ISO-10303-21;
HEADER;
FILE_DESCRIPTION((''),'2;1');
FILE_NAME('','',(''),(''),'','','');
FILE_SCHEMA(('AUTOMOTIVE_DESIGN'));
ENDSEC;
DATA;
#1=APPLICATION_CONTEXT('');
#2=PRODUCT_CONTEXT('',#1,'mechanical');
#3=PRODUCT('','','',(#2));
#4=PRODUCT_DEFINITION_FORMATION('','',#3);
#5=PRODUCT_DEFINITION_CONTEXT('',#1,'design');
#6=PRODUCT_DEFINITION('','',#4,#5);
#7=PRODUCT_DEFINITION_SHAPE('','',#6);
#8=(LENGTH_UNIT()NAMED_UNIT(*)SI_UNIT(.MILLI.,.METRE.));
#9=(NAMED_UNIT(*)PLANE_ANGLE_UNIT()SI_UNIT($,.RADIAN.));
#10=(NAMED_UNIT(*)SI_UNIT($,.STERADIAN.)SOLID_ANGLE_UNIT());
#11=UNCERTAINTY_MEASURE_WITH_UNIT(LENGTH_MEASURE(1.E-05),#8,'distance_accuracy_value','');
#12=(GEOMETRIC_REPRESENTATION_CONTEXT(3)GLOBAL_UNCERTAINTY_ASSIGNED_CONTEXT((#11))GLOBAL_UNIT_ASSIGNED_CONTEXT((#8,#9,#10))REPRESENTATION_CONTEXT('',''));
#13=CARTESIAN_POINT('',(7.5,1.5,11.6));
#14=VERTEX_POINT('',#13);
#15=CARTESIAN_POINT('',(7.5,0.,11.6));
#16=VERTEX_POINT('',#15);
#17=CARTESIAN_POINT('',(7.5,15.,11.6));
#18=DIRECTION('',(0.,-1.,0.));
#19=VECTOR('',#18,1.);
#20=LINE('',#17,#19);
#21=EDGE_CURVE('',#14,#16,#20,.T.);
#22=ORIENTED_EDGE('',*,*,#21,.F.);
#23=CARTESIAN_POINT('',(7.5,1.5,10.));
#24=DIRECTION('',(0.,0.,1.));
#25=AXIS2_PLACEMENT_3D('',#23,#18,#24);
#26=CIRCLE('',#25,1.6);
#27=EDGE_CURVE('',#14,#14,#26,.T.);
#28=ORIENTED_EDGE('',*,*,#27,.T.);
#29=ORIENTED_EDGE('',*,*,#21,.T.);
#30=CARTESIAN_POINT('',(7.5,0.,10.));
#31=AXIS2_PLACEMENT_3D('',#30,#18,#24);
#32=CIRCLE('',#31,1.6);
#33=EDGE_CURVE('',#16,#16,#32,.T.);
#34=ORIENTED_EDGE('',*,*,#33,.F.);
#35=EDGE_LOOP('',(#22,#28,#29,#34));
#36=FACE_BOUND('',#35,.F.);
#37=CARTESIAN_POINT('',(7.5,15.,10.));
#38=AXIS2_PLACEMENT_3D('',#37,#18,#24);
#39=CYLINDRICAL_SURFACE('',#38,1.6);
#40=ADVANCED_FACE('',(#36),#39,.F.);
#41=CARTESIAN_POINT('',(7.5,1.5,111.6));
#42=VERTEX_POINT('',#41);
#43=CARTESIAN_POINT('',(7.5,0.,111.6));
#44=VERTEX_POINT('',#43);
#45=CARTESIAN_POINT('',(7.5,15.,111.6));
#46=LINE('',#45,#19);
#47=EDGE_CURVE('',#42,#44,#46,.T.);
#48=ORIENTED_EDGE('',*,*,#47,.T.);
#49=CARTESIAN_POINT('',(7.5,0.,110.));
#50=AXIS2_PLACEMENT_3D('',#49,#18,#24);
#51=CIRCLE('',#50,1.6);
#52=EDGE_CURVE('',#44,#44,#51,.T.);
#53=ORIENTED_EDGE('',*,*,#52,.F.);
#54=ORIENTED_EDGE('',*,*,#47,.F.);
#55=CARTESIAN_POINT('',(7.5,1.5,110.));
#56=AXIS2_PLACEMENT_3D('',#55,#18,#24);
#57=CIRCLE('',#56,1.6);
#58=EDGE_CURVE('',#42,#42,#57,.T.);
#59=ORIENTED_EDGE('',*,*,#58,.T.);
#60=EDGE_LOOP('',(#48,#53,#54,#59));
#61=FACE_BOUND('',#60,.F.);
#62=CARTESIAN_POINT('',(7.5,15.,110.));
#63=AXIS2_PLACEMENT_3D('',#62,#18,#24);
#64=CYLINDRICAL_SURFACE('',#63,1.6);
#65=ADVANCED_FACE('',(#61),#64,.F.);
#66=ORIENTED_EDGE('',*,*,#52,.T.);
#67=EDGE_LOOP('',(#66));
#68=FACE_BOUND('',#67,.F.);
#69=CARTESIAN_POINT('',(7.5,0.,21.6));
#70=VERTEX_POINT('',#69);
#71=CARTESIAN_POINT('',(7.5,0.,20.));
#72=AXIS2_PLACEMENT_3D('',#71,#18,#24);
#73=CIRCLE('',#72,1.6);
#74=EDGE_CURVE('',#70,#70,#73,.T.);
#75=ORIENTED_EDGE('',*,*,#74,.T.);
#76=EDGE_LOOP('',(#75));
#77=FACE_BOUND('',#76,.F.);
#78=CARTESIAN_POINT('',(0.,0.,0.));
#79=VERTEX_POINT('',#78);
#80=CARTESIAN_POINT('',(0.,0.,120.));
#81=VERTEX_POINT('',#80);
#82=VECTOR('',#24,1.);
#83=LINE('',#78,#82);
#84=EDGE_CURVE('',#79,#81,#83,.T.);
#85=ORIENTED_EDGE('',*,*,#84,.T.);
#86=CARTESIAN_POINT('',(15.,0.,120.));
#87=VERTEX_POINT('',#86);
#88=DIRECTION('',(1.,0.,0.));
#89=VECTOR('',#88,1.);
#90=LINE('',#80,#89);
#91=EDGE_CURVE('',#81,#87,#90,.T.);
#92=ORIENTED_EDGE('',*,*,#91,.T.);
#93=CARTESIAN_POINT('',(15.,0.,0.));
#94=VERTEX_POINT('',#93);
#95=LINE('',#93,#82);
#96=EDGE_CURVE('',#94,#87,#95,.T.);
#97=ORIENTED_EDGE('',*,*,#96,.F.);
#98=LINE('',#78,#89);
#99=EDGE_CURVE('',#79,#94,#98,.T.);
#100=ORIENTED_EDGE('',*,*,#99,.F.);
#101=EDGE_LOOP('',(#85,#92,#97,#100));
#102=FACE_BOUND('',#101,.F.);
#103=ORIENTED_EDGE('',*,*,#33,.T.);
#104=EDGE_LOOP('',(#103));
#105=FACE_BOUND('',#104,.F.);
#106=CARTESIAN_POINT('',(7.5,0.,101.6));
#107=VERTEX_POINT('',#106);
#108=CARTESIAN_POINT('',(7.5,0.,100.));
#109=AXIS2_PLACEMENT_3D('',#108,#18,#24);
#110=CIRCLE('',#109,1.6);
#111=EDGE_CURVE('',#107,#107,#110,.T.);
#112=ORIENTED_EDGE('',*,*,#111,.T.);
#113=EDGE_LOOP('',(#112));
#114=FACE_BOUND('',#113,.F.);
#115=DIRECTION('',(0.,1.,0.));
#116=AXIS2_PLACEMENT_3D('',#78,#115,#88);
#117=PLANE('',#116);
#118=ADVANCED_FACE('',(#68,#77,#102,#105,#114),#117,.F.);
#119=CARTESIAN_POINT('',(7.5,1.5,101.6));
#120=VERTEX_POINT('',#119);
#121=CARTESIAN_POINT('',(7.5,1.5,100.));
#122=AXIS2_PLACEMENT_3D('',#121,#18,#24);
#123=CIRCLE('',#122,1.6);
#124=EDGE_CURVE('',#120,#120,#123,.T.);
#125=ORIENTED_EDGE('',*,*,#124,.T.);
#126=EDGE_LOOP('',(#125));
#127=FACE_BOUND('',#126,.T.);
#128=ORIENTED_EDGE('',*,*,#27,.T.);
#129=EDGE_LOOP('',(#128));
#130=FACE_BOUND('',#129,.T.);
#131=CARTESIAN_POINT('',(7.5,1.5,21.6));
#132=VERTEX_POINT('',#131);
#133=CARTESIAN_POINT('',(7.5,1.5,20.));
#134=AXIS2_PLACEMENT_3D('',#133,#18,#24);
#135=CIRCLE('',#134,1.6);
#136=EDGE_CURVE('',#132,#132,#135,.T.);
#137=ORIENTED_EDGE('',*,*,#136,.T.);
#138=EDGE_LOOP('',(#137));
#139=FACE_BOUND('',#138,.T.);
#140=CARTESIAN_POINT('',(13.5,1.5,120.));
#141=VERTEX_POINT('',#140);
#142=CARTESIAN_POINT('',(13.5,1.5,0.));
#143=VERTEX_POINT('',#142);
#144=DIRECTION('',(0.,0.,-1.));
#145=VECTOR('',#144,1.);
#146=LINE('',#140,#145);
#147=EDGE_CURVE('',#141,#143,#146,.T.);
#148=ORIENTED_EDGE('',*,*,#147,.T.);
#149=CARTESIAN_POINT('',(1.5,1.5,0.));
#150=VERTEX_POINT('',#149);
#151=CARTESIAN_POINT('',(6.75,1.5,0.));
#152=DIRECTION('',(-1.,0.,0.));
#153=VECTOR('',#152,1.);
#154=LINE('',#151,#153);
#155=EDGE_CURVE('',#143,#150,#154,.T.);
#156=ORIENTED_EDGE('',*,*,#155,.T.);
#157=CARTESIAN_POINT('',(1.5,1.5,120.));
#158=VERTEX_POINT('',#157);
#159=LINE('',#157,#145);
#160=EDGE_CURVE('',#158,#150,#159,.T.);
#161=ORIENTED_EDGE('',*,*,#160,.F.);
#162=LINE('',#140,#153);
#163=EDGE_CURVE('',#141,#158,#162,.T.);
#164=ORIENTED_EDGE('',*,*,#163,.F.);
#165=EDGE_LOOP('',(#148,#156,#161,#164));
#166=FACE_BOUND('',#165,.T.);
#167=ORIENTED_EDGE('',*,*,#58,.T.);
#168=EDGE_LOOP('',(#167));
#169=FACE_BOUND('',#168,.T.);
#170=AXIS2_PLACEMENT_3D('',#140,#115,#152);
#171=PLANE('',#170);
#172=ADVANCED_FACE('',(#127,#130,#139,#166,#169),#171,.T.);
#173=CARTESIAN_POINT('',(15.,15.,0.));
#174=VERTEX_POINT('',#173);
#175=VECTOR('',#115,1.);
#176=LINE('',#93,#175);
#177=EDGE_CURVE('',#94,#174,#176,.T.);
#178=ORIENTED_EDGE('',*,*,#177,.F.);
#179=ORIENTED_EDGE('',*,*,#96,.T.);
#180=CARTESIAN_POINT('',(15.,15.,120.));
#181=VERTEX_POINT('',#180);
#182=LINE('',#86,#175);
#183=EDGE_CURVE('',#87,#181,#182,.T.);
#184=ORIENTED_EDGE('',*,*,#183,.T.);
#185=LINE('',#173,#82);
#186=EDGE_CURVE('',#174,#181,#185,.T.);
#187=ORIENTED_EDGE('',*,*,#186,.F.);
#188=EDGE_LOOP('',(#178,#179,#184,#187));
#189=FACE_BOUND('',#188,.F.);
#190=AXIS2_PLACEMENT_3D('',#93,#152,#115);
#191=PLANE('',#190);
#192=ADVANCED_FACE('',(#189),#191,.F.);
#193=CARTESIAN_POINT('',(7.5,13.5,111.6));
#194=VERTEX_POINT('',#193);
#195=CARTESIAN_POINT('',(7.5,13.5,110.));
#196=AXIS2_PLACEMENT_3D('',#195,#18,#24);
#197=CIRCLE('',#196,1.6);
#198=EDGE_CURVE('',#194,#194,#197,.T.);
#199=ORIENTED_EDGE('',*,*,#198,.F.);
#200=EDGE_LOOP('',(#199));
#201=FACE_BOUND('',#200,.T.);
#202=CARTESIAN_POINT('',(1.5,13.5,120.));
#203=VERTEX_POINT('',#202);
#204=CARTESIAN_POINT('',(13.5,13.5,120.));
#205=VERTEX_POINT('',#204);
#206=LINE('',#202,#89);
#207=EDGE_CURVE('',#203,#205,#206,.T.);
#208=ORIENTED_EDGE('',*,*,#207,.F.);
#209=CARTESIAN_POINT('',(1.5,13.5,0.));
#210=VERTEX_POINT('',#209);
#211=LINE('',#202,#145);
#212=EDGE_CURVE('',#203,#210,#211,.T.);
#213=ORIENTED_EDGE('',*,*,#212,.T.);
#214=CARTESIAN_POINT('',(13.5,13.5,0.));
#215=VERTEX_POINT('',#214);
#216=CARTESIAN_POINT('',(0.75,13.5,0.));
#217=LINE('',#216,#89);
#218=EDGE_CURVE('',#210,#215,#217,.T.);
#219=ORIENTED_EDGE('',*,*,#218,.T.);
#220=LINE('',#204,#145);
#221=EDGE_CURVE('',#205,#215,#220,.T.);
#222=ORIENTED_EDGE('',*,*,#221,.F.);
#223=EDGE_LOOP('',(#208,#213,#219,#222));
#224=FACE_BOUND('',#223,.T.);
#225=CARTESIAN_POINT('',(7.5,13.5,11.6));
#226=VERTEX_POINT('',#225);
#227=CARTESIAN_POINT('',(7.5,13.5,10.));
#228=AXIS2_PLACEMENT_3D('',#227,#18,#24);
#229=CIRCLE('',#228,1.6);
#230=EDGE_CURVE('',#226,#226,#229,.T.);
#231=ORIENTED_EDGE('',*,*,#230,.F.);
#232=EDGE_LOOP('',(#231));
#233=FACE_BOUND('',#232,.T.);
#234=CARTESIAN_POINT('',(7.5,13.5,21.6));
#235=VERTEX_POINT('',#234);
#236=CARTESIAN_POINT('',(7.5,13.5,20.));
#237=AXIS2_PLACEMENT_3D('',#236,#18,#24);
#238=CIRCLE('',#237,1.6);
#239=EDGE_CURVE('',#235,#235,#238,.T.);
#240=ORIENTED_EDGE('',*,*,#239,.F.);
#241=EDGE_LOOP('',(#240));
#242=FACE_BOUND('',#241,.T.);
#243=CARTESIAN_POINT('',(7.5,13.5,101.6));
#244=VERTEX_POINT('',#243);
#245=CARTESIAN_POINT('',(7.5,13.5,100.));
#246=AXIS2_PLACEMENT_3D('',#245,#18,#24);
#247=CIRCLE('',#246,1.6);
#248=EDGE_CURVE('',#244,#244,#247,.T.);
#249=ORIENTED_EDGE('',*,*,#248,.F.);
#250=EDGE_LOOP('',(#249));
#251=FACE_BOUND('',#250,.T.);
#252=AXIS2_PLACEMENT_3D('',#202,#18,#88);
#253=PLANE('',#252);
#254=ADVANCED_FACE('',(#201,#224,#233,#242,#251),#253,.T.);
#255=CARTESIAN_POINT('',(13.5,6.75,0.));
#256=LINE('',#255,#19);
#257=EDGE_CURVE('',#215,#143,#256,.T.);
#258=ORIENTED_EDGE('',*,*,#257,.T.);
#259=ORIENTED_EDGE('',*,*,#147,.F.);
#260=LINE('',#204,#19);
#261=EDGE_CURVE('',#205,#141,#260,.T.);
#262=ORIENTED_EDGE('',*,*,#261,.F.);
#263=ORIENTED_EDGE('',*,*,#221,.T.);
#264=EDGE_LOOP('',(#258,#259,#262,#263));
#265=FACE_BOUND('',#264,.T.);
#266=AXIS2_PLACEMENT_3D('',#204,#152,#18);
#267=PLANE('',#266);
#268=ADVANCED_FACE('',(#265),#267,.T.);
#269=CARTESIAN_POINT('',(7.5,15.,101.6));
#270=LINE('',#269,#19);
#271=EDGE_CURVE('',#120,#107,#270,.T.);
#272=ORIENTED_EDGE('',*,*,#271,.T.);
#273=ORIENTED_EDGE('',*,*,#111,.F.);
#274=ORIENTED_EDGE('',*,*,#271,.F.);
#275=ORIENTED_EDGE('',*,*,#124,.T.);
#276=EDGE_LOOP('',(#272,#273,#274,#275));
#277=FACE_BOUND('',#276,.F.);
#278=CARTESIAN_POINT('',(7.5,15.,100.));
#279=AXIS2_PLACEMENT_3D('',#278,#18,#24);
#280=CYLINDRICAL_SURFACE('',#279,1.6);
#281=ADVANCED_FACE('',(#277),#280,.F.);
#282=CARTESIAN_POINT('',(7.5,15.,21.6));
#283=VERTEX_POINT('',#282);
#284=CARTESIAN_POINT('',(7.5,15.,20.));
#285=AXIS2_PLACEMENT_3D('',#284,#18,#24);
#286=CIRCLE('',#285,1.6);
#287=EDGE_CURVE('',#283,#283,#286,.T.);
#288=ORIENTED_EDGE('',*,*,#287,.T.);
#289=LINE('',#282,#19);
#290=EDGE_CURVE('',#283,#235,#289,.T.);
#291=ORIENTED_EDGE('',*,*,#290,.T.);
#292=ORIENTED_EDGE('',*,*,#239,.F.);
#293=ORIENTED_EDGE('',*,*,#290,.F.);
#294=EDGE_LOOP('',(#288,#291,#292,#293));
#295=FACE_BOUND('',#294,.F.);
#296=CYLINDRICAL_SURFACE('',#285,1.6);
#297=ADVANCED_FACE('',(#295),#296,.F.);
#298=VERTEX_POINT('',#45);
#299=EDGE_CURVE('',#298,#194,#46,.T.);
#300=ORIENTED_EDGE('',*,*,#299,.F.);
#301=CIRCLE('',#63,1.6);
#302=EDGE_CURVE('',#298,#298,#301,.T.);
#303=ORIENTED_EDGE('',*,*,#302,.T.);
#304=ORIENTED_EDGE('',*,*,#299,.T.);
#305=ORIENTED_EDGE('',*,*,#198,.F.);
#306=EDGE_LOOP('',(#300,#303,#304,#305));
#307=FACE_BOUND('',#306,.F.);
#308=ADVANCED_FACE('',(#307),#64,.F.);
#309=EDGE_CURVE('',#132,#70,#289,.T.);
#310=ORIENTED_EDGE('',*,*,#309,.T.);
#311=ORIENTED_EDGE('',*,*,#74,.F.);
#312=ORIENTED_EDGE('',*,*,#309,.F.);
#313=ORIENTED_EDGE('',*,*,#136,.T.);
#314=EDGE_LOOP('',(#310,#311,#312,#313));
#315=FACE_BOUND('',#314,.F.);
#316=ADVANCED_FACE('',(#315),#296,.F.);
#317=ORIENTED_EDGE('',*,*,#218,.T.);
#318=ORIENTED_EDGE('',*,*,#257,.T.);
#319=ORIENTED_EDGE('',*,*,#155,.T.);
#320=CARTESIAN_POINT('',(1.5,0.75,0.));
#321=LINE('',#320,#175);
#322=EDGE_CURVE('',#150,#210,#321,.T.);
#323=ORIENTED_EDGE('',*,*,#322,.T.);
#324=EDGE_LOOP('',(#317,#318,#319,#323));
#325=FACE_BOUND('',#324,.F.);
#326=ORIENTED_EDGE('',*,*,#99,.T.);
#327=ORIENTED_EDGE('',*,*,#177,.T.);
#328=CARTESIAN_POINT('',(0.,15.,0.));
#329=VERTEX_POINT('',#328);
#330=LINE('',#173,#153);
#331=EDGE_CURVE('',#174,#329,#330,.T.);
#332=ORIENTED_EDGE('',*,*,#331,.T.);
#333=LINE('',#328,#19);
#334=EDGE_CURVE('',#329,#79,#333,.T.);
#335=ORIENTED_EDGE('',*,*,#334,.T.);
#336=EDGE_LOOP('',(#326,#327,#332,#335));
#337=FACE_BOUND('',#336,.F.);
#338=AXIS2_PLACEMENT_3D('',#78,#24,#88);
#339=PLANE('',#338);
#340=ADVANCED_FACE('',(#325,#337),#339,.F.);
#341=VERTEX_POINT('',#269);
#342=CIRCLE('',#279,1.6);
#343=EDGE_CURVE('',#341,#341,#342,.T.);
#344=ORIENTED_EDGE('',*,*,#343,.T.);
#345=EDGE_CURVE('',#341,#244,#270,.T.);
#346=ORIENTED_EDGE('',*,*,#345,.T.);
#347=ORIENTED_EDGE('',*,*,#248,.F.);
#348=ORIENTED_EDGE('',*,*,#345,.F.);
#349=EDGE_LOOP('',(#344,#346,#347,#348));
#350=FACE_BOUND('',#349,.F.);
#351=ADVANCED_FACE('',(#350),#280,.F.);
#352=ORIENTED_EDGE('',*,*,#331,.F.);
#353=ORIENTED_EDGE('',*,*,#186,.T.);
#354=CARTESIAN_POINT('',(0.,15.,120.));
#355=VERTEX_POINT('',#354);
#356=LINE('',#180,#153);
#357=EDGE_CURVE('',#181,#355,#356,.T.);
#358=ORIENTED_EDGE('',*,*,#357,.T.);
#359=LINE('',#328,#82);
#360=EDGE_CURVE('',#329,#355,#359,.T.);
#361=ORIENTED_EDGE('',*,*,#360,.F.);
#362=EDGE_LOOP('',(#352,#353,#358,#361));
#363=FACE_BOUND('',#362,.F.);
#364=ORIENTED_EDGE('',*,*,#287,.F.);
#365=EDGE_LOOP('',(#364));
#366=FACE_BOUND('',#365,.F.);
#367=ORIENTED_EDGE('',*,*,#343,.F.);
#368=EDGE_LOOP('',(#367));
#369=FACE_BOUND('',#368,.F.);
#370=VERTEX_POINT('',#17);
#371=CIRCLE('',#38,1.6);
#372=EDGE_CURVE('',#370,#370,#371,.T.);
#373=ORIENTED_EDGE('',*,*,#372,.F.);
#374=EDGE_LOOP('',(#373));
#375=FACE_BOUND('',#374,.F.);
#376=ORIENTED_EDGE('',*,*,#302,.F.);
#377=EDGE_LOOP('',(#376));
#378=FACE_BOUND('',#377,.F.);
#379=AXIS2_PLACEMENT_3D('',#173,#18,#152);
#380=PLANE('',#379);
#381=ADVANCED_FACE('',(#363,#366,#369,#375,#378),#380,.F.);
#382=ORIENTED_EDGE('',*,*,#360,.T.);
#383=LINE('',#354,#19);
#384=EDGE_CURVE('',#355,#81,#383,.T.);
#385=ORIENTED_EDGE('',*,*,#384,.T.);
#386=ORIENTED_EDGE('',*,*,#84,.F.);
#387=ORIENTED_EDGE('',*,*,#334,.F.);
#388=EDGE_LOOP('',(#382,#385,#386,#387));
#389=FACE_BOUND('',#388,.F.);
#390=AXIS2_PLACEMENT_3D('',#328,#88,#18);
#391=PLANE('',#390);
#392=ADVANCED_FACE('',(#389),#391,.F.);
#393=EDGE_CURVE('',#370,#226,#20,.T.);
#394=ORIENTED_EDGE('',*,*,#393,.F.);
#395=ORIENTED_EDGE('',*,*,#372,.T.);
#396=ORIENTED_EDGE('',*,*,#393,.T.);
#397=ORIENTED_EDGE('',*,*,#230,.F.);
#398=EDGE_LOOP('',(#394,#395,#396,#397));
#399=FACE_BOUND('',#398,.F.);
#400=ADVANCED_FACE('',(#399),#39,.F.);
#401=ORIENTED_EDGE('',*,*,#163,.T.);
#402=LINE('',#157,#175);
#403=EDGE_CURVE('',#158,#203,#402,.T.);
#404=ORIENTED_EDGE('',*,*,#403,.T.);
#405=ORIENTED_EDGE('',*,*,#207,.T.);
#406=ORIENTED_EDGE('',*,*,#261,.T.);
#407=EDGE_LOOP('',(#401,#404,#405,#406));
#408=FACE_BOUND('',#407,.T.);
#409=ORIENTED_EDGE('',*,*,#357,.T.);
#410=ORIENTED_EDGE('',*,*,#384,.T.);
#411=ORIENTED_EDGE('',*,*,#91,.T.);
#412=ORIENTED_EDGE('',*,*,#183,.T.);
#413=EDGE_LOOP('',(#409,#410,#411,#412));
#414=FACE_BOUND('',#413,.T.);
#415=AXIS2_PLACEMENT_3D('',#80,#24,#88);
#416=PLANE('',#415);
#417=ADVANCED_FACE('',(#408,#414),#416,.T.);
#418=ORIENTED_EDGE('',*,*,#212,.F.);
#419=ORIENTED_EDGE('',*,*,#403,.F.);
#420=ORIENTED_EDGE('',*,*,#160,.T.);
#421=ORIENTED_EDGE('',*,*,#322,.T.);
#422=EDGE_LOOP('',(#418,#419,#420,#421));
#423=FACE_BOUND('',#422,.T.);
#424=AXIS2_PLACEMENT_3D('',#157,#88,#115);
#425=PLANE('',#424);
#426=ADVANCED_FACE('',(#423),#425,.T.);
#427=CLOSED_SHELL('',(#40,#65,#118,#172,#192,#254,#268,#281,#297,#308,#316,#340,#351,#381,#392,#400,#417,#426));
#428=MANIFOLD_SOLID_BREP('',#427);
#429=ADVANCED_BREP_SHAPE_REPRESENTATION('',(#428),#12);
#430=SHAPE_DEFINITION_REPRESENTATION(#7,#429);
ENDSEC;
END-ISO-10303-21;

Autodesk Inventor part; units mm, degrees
ref_plane "YZ Plane" through (0, 0, 0) normal (1, 0, 0) x (0, 1, 0)
ref_plane "XZ Plane" through (0, 0, 0) normal (0, 1, 0) x (-1, 0, 0)
ref_plane "XY Plane" through (0, 0, 0) normal (0, 0, 1) x (1, 0, 0)
sketch "スケッチ1" plane through (0, 0, 0) normal (0, 0, 1) x (1, 0, 0)
  line L0 (0, 0) -> (15, 0)
  line L1 (15, 0) -> (15, 15)
  line L2 (15, 15) -> (0, 15)
  line L3 (0, 15) -> (0, 0)
  dimension "d0" = 15
  dimension "d1" = 15
extrude "押し出し1" add sketch "スケッチ1" along normal blind 120
sketch "スケッチ2" plane through (0, 15, 0) normal (0, 1, 0) x (1, 0, 0)
  line L0 (0, 0) -> (0, -120) projected
  line L1 (15, 0) -> (0, 0) projected
  line L2 (15, -120) -> (0, -120) projected
  point P0 (7.5, -10)
  point P1 (7.5, -20)
  point P2 (7.5, -110)
  point P3 (7.5, -100)
  dimension "d4" = 7.5
  dimension "d5" = 10
  dimension "d6" = 10
  dimension "d7" = 7.5
  dimension "d8" = 10
  dimension "d9" = 7.5
  dimension "d10" = 10
  dimension "d11" = 7.5
hole "穴1" at (7.5, 15, 10) at (7.5, 15, 20) at (7.5, 15, 110) at (7.5, 15, 100) direction (0, -1, 0) diameter 3.2 end through all
sketch "スケッチ3" plane through (0, 0, 120) normal (0, 0, 1) x (1, 0, 0)
  line L0 (1.5, 13.5) -> (13.5, 13.5)
  line L1 (13.5, 13.5) -> (13.5, 1.5)
  line L2 (13.5, 1.5) -> (1.5, 1.5)
  line L3 (1.5, 1.5) -> (1.5, 13.5)
  line L4 (15, 15) -> (0, 15) projected
  line L5 (0, 15) -> (0, 0) projected
  dimension "d19" = 12
  dimension "d20" = 12
  dimension "d21" = 1.5
  dimension "d22" = 1.5
extrude "押し出し2" cut sketch "スケッチ3" against normal blind 200
properties part number "射出_角柱9" material "アルミニウム 6061"
